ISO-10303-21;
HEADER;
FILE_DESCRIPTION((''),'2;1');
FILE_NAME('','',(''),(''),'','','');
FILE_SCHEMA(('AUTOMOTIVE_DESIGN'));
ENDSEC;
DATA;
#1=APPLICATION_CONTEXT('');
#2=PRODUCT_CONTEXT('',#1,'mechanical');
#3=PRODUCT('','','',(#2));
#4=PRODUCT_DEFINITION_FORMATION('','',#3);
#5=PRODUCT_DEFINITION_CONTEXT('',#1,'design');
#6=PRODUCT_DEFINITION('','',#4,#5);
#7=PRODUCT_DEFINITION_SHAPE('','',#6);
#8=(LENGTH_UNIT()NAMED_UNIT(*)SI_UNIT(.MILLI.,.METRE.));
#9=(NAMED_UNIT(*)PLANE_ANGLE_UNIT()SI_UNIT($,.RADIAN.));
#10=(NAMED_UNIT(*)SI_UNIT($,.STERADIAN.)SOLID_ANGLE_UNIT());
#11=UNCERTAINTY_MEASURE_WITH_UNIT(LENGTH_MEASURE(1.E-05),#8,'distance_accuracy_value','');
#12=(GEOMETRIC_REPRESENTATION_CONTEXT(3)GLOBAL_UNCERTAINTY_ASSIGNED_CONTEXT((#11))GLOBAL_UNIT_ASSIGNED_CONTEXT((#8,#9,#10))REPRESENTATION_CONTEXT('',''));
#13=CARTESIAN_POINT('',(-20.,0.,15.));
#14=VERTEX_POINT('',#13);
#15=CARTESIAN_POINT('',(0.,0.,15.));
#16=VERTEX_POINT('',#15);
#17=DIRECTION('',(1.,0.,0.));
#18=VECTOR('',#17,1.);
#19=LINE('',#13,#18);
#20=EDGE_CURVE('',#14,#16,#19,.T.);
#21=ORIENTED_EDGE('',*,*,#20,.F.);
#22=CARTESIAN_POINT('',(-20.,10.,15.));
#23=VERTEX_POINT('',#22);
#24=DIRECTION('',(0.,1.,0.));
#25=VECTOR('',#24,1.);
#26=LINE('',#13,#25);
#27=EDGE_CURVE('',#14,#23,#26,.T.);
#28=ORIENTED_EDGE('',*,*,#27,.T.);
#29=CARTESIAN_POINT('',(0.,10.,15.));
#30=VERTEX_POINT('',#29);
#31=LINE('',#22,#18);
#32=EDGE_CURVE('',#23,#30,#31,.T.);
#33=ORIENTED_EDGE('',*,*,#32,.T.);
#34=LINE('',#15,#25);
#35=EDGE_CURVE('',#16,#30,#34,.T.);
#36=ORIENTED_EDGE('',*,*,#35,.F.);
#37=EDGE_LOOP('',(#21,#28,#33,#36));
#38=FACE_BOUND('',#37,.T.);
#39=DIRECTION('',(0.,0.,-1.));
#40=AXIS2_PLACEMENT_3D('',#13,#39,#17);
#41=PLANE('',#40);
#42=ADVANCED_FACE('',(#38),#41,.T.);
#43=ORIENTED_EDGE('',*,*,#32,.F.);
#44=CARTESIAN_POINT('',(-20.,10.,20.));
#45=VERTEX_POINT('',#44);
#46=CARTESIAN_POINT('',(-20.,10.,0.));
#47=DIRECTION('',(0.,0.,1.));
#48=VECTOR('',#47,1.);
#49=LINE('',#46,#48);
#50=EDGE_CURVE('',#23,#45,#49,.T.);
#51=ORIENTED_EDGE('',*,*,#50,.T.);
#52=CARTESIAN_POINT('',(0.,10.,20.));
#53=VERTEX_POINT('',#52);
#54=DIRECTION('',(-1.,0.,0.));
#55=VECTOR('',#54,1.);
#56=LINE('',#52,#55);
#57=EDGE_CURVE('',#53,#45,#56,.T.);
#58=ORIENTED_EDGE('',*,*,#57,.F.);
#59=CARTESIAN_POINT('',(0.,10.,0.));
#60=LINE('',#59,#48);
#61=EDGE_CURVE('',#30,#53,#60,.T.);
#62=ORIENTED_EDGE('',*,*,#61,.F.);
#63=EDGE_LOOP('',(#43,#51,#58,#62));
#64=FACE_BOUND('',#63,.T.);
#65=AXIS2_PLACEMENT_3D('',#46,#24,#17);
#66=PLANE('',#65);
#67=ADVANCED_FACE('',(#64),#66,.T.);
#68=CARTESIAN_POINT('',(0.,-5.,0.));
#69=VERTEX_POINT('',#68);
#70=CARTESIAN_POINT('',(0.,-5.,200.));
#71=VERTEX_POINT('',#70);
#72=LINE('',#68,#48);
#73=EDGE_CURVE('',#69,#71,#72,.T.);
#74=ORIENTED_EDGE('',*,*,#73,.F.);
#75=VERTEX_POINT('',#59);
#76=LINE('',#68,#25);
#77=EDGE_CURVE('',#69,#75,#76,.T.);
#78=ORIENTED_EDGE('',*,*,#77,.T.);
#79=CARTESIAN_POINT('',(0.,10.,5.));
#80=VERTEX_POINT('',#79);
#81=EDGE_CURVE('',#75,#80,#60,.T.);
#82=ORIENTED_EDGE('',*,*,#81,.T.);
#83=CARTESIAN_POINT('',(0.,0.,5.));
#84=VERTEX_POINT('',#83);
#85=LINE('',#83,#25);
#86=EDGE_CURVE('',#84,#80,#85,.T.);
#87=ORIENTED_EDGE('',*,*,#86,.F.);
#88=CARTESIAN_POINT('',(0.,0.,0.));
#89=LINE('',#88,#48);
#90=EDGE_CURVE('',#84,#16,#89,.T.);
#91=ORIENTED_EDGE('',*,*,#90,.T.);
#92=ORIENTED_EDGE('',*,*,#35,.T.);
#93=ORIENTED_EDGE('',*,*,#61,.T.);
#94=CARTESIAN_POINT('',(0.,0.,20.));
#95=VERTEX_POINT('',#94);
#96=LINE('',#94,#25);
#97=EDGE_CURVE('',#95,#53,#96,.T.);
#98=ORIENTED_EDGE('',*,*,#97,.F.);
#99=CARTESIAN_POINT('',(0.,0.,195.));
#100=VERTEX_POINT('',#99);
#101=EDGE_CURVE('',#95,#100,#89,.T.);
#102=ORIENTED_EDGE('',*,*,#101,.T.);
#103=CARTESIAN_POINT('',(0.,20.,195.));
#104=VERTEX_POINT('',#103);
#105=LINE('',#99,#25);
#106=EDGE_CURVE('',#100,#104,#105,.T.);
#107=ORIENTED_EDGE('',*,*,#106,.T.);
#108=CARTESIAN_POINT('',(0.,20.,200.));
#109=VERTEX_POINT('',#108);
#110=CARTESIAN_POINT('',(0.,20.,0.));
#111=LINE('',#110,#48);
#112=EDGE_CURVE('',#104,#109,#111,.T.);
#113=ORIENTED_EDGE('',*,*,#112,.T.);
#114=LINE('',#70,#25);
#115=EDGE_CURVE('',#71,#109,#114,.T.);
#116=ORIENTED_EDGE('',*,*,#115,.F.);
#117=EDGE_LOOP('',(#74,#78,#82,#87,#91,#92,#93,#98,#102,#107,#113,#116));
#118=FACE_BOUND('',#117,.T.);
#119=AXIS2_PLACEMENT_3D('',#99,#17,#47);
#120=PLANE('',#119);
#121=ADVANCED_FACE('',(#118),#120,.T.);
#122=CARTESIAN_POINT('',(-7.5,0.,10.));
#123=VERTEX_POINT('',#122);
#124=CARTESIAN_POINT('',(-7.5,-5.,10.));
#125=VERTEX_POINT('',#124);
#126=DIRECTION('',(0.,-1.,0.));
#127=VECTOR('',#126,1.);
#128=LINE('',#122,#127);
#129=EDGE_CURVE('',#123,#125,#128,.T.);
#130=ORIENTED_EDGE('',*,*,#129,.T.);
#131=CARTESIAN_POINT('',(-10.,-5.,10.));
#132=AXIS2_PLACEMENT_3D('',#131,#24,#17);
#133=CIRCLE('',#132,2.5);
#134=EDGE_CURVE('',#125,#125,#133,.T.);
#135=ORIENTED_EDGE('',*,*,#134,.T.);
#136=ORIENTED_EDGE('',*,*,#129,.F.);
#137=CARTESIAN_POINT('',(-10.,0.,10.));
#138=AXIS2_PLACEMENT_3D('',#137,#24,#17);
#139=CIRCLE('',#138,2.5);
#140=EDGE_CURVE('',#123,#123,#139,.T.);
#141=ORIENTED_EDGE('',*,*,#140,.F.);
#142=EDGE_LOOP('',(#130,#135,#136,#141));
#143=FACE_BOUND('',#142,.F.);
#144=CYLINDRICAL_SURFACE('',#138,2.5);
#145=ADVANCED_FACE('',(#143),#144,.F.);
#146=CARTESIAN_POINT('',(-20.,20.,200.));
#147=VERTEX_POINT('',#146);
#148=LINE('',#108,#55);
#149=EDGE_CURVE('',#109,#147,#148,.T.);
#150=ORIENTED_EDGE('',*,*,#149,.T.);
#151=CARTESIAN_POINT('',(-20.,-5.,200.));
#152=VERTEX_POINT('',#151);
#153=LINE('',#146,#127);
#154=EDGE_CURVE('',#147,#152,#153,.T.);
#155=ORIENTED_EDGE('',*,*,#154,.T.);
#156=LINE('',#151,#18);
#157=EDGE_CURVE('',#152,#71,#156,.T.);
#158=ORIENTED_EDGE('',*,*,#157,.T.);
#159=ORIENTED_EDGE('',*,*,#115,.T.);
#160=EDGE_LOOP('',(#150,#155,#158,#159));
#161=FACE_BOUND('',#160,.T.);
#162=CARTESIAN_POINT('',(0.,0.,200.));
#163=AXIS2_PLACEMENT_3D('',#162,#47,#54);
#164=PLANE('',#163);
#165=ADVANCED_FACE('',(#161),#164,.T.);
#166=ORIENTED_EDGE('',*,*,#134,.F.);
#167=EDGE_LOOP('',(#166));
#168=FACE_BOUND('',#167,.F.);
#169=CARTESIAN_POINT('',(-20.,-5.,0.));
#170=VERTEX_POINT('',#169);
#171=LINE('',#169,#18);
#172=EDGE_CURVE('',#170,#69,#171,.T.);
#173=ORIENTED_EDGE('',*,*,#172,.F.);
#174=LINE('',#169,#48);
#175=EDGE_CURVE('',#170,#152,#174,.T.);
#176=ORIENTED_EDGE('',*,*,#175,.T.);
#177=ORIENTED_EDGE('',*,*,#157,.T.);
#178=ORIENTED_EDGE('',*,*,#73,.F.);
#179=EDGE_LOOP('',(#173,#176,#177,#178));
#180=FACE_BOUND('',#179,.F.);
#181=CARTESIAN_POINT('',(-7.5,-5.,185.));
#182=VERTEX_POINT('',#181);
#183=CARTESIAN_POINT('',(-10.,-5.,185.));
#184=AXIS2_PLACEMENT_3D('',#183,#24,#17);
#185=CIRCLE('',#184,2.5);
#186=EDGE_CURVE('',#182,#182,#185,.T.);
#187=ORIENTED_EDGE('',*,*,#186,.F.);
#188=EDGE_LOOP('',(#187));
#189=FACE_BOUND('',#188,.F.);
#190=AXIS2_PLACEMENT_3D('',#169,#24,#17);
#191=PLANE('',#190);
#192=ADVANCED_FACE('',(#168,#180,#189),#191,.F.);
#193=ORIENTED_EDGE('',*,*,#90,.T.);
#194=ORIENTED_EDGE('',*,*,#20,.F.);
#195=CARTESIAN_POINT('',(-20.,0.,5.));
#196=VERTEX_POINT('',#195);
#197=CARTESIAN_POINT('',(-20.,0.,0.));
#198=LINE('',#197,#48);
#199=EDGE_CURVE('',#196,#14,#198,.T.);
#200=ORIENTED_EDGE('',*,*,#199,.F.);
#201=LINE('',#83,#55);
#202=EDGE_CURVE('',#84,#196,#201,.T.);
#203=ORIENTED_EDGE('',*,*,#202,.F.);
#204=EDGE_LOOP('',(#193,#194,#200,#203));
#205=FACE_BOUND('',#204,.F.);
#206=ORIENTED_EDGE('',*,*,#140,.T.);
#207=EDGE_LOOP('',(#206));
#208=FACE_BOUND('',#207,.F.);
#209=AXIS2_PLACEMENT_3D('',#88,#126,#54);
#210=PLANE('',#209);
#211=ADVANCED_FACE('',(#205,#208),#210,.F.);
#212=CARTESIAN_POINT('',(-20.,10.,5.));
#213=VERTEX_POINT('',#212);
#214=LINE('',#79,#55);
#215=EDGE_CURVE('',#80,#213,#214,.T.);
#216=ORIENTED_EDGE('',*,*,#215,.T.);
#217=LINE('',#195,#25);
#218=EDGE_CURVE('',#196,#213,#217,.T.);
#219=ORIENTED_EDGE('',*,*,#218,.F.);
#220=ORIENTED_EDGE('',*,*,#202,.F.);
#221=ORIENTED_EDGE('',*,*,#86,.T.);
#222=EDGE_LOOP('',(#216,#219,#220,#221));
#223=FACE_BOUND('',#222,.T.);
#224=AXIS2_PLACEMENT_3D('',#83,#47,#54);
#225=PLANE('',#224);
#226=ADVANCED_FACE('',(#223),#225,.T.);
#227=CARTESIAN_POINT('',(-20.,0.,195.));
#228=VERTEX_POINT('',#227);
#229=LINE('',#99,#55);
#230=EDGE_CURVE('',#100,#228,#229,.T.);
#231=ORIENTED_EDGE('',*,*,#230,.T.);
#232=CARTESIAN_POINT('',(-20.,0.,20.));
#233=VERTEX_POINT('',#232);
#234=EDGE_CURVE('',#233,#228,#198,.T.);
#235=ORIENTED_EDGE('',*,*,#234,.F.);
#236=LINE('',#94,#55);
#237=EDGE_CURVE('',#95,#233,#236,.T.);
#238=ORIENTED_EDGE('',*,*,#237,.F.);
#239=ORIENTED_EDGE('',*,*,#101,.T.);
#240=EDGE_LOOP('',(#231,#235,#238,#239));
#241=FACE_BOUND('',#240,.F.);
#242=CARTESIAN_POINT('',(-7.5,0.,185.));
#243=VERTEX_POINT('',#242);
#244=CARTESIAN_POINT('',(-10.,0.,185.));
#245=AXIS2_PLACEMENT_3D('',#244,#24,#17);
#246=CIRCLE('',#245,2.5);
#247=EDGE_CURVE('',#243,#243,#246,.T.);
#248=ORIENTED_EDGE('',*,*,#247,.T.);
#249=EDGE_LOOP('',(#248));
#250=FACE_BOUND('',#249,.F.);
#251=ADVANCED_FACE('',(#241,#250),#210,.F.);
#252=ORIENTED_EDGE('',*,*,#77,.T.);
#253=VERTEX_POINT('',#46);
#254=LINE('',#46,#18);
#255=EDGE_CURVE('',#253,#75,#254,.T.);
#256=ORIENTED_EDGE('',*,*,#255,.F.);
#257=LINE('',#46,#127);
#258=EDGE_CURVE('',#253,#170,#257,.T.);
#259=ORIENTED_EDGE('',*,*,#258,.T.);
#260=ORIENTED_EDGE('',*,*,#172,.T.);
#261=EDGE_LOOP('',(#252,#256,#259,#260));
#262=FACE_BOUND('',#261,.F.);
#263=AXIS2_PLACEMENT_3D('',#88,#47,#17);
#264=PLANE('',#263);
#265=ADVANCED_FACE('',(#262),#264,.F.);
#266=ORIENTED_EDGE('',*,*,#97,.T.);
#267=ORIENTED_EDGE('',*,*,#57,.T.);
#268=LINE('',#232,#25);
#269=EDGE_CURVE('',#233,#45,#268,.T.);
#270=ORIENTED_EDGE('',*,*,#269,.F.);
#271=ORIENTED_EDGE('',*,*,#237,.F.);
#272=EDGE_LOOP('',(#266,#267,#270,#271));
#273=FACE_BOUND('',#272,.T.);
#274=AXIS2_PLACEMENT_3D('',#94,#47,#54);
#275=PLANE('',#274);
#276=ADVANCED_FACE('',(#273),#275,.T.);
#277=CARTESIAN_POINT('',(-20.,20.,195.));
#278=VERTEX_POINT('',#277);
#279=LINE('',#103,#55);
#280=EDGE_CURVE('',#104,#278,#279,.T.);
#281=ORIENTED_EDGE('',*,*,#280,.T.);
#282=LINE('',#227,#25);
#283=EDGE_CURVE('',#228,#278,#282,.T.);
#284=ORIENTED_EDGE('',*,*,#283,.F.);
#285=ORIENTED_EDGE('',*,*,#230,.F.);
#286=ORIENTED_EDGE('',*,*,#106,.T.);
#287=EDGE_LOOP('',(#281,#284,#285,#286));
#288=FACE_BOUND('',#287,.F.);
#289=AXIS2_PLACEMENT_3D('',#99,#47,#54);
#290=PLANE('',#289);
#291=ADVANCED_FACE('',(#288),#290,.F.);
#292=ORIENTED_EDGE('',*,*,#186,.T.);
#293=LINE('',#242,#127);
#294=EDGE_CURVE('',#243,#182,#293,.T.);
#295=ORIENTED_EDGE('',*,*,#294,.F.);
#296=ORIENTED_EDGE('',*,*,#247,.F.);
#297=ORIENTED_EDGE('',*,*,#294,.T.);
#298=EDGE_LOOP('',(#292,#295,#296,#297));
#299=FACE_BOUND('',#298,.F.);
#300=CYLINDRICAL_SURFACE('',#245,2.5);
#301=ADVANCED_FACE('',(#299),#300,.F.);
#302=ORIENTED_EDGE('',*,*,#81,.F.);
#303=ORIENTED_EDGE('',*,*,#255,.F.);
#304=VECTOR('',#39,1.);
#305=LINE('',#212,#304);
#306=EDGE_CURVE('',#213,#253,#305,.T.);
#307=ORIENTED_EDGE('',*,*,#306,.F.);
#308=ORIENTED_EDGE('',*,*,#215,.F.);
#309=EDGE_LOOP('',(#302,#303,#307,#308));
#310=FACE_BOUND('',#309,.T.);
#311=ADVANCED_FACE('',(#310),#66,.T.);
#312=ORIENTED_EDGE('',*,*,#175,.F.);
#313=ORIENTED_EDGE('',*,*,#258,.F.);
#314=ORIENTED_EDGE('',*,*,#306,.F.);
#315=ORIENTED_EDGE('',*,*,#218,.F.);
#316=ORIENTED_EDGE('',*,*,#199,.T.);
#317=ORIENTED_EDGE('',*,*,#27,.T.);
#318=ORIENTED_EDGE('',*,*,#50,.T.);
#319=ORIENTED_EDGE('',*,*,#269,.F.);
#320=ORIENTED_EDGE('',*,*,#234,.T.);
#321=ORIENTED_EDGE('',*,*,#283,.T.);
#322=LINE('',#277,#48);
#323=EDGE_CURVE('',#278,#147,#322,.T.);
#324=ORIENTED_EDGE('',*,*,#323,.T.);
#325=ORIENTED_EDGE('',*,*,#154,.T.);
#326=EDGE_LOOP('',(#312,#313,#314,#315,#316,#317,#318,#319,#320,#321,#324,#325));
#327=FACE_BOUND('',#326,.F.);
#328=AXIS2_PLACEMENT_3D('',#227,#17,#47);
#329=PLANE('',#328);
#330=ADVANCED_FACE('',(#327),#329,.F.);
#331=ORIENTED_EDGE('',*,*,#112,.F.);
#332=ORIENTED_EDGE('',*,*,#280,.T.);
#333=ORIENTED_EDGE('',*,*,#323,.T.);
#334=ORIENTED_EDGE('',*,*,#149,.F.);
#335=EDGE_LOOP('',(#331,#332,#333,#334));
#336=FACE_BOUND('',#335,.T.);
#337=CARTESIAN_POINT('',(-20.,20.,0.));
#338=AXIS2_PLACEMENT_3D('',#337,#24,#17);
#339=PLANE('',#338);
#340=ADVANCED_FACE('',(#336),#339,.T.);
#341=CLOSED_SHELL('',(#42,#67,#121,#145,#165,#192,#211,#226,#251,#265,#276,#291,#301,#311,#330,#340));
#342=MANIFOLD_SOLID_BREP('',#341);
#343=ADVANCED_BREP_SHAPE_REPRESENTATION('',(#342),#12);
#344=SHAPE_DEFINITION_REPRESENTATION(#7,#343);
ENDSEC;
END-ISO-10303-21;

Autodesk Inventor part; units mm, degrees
ref_plane "YZ Plane" through (0, 0, 0) normal (1, 0, 0) x (0, 1, 0)
ref_plane "XZ Plane" through (0, 0, 0) normal (0, 1, 0) x (-1, 0, 0)
ref_plane "XY Plane" through (0, 0, 0) normal (0, 0, 1) x (1, 0, 0)
sketch "Boceto1" plane through (0, 0, 0) normal (0, 0, 1) x (1, 0, 0)
  line L0 (0, 0) -> (-20, 0)
  line L1 (-20, 0) -> (-20, -5)
  line L2 (-20, -5) -> (0, -5)
  line L3 (0, -5) -> (0, 0)
  dimension "d0" = 20
  dimension "d1" = 5
extrude "Extrusión1" add sketch "Boceto1" along normal blind 200
sketch "Boceto2" plane through (-20, 0, 0) normal (0, 1, 0) x (1, 0, 0)
  circle A0 centre (10, -185) radius 2.5
  circle A1 centre (10, -10) radius 2.5
  line L0 (0, 0) -> (0, -200) projected
  line L1 (0, -15) -> (20, -15) construction
  line L2 (20, 0) -> (0, 0) construction
  dimension "d4" = 5
  dimension "d5" = 5
  dimension "d6" = 10
  dimension "d7" = 10
  dimension "d8" = 15
  dimension "d9" = 10
  dimension "d10" = 170
extrude "Extrusión2" cut sketch "Boceto2" against normal blind 200
sketch "Boceto3" plane through (-20, 0, 0) normal (0, 1, 0) x (1, 0, 0)
  line L0 (20, -200) -> (0, -200) projected
  line L1 (20, 0) -> (20, -200) projected
  line L2 (0, -200) -> (20, -200)
  line L3 (20, -200) -> (20, -195)
  line L4 (20, -195) -> (0, -195)
  line L5 (0, -195) -> (0, -200)
  dimension "d13" = 5
extrude "Extrusión3" add sketch "Boceto3" along normal blind 20
sketch "Boceto4" plane through (-20, 0, 0) normal (0, 1, 0) x (1, 0, 0)
  line L0 (20, 0) -> (20, -200) projected
  line L1 (0, 0) -> (20, 0)
  line L2 (20, 0) -> (20, -5)
  line L3 (20, -5) -> (0, -5)
  line L4 (0, -5) -> (0, 0)
  line L5 (0, 0) -> (0, -200) projected
  line L6 (0, -15) -> (20, -15)
  line L7 (20, -15) -> (20, -20)
  line L8 (20, -20) -> (0, -20)
  line L9 (0, -20) -> (0, -15)
  dimension "d16" = 5
  dimension "d17" = 5
  dimension "d18" = 10
extrude "Extrusión4" add sketch "Boceto4" along normal blind 10 contours L0 L3 L4 L1 | L0 L8 L5 L6
thread "Rosca1" size "M5x0.8" class "6H" standard "ANSI Metric M Profile" full length
thread "Rosca2" size "M5x0.8" class "6H" standard "ANSI Metric M Profile" full length
properties part number "Conexión - C15_3DPrint"
